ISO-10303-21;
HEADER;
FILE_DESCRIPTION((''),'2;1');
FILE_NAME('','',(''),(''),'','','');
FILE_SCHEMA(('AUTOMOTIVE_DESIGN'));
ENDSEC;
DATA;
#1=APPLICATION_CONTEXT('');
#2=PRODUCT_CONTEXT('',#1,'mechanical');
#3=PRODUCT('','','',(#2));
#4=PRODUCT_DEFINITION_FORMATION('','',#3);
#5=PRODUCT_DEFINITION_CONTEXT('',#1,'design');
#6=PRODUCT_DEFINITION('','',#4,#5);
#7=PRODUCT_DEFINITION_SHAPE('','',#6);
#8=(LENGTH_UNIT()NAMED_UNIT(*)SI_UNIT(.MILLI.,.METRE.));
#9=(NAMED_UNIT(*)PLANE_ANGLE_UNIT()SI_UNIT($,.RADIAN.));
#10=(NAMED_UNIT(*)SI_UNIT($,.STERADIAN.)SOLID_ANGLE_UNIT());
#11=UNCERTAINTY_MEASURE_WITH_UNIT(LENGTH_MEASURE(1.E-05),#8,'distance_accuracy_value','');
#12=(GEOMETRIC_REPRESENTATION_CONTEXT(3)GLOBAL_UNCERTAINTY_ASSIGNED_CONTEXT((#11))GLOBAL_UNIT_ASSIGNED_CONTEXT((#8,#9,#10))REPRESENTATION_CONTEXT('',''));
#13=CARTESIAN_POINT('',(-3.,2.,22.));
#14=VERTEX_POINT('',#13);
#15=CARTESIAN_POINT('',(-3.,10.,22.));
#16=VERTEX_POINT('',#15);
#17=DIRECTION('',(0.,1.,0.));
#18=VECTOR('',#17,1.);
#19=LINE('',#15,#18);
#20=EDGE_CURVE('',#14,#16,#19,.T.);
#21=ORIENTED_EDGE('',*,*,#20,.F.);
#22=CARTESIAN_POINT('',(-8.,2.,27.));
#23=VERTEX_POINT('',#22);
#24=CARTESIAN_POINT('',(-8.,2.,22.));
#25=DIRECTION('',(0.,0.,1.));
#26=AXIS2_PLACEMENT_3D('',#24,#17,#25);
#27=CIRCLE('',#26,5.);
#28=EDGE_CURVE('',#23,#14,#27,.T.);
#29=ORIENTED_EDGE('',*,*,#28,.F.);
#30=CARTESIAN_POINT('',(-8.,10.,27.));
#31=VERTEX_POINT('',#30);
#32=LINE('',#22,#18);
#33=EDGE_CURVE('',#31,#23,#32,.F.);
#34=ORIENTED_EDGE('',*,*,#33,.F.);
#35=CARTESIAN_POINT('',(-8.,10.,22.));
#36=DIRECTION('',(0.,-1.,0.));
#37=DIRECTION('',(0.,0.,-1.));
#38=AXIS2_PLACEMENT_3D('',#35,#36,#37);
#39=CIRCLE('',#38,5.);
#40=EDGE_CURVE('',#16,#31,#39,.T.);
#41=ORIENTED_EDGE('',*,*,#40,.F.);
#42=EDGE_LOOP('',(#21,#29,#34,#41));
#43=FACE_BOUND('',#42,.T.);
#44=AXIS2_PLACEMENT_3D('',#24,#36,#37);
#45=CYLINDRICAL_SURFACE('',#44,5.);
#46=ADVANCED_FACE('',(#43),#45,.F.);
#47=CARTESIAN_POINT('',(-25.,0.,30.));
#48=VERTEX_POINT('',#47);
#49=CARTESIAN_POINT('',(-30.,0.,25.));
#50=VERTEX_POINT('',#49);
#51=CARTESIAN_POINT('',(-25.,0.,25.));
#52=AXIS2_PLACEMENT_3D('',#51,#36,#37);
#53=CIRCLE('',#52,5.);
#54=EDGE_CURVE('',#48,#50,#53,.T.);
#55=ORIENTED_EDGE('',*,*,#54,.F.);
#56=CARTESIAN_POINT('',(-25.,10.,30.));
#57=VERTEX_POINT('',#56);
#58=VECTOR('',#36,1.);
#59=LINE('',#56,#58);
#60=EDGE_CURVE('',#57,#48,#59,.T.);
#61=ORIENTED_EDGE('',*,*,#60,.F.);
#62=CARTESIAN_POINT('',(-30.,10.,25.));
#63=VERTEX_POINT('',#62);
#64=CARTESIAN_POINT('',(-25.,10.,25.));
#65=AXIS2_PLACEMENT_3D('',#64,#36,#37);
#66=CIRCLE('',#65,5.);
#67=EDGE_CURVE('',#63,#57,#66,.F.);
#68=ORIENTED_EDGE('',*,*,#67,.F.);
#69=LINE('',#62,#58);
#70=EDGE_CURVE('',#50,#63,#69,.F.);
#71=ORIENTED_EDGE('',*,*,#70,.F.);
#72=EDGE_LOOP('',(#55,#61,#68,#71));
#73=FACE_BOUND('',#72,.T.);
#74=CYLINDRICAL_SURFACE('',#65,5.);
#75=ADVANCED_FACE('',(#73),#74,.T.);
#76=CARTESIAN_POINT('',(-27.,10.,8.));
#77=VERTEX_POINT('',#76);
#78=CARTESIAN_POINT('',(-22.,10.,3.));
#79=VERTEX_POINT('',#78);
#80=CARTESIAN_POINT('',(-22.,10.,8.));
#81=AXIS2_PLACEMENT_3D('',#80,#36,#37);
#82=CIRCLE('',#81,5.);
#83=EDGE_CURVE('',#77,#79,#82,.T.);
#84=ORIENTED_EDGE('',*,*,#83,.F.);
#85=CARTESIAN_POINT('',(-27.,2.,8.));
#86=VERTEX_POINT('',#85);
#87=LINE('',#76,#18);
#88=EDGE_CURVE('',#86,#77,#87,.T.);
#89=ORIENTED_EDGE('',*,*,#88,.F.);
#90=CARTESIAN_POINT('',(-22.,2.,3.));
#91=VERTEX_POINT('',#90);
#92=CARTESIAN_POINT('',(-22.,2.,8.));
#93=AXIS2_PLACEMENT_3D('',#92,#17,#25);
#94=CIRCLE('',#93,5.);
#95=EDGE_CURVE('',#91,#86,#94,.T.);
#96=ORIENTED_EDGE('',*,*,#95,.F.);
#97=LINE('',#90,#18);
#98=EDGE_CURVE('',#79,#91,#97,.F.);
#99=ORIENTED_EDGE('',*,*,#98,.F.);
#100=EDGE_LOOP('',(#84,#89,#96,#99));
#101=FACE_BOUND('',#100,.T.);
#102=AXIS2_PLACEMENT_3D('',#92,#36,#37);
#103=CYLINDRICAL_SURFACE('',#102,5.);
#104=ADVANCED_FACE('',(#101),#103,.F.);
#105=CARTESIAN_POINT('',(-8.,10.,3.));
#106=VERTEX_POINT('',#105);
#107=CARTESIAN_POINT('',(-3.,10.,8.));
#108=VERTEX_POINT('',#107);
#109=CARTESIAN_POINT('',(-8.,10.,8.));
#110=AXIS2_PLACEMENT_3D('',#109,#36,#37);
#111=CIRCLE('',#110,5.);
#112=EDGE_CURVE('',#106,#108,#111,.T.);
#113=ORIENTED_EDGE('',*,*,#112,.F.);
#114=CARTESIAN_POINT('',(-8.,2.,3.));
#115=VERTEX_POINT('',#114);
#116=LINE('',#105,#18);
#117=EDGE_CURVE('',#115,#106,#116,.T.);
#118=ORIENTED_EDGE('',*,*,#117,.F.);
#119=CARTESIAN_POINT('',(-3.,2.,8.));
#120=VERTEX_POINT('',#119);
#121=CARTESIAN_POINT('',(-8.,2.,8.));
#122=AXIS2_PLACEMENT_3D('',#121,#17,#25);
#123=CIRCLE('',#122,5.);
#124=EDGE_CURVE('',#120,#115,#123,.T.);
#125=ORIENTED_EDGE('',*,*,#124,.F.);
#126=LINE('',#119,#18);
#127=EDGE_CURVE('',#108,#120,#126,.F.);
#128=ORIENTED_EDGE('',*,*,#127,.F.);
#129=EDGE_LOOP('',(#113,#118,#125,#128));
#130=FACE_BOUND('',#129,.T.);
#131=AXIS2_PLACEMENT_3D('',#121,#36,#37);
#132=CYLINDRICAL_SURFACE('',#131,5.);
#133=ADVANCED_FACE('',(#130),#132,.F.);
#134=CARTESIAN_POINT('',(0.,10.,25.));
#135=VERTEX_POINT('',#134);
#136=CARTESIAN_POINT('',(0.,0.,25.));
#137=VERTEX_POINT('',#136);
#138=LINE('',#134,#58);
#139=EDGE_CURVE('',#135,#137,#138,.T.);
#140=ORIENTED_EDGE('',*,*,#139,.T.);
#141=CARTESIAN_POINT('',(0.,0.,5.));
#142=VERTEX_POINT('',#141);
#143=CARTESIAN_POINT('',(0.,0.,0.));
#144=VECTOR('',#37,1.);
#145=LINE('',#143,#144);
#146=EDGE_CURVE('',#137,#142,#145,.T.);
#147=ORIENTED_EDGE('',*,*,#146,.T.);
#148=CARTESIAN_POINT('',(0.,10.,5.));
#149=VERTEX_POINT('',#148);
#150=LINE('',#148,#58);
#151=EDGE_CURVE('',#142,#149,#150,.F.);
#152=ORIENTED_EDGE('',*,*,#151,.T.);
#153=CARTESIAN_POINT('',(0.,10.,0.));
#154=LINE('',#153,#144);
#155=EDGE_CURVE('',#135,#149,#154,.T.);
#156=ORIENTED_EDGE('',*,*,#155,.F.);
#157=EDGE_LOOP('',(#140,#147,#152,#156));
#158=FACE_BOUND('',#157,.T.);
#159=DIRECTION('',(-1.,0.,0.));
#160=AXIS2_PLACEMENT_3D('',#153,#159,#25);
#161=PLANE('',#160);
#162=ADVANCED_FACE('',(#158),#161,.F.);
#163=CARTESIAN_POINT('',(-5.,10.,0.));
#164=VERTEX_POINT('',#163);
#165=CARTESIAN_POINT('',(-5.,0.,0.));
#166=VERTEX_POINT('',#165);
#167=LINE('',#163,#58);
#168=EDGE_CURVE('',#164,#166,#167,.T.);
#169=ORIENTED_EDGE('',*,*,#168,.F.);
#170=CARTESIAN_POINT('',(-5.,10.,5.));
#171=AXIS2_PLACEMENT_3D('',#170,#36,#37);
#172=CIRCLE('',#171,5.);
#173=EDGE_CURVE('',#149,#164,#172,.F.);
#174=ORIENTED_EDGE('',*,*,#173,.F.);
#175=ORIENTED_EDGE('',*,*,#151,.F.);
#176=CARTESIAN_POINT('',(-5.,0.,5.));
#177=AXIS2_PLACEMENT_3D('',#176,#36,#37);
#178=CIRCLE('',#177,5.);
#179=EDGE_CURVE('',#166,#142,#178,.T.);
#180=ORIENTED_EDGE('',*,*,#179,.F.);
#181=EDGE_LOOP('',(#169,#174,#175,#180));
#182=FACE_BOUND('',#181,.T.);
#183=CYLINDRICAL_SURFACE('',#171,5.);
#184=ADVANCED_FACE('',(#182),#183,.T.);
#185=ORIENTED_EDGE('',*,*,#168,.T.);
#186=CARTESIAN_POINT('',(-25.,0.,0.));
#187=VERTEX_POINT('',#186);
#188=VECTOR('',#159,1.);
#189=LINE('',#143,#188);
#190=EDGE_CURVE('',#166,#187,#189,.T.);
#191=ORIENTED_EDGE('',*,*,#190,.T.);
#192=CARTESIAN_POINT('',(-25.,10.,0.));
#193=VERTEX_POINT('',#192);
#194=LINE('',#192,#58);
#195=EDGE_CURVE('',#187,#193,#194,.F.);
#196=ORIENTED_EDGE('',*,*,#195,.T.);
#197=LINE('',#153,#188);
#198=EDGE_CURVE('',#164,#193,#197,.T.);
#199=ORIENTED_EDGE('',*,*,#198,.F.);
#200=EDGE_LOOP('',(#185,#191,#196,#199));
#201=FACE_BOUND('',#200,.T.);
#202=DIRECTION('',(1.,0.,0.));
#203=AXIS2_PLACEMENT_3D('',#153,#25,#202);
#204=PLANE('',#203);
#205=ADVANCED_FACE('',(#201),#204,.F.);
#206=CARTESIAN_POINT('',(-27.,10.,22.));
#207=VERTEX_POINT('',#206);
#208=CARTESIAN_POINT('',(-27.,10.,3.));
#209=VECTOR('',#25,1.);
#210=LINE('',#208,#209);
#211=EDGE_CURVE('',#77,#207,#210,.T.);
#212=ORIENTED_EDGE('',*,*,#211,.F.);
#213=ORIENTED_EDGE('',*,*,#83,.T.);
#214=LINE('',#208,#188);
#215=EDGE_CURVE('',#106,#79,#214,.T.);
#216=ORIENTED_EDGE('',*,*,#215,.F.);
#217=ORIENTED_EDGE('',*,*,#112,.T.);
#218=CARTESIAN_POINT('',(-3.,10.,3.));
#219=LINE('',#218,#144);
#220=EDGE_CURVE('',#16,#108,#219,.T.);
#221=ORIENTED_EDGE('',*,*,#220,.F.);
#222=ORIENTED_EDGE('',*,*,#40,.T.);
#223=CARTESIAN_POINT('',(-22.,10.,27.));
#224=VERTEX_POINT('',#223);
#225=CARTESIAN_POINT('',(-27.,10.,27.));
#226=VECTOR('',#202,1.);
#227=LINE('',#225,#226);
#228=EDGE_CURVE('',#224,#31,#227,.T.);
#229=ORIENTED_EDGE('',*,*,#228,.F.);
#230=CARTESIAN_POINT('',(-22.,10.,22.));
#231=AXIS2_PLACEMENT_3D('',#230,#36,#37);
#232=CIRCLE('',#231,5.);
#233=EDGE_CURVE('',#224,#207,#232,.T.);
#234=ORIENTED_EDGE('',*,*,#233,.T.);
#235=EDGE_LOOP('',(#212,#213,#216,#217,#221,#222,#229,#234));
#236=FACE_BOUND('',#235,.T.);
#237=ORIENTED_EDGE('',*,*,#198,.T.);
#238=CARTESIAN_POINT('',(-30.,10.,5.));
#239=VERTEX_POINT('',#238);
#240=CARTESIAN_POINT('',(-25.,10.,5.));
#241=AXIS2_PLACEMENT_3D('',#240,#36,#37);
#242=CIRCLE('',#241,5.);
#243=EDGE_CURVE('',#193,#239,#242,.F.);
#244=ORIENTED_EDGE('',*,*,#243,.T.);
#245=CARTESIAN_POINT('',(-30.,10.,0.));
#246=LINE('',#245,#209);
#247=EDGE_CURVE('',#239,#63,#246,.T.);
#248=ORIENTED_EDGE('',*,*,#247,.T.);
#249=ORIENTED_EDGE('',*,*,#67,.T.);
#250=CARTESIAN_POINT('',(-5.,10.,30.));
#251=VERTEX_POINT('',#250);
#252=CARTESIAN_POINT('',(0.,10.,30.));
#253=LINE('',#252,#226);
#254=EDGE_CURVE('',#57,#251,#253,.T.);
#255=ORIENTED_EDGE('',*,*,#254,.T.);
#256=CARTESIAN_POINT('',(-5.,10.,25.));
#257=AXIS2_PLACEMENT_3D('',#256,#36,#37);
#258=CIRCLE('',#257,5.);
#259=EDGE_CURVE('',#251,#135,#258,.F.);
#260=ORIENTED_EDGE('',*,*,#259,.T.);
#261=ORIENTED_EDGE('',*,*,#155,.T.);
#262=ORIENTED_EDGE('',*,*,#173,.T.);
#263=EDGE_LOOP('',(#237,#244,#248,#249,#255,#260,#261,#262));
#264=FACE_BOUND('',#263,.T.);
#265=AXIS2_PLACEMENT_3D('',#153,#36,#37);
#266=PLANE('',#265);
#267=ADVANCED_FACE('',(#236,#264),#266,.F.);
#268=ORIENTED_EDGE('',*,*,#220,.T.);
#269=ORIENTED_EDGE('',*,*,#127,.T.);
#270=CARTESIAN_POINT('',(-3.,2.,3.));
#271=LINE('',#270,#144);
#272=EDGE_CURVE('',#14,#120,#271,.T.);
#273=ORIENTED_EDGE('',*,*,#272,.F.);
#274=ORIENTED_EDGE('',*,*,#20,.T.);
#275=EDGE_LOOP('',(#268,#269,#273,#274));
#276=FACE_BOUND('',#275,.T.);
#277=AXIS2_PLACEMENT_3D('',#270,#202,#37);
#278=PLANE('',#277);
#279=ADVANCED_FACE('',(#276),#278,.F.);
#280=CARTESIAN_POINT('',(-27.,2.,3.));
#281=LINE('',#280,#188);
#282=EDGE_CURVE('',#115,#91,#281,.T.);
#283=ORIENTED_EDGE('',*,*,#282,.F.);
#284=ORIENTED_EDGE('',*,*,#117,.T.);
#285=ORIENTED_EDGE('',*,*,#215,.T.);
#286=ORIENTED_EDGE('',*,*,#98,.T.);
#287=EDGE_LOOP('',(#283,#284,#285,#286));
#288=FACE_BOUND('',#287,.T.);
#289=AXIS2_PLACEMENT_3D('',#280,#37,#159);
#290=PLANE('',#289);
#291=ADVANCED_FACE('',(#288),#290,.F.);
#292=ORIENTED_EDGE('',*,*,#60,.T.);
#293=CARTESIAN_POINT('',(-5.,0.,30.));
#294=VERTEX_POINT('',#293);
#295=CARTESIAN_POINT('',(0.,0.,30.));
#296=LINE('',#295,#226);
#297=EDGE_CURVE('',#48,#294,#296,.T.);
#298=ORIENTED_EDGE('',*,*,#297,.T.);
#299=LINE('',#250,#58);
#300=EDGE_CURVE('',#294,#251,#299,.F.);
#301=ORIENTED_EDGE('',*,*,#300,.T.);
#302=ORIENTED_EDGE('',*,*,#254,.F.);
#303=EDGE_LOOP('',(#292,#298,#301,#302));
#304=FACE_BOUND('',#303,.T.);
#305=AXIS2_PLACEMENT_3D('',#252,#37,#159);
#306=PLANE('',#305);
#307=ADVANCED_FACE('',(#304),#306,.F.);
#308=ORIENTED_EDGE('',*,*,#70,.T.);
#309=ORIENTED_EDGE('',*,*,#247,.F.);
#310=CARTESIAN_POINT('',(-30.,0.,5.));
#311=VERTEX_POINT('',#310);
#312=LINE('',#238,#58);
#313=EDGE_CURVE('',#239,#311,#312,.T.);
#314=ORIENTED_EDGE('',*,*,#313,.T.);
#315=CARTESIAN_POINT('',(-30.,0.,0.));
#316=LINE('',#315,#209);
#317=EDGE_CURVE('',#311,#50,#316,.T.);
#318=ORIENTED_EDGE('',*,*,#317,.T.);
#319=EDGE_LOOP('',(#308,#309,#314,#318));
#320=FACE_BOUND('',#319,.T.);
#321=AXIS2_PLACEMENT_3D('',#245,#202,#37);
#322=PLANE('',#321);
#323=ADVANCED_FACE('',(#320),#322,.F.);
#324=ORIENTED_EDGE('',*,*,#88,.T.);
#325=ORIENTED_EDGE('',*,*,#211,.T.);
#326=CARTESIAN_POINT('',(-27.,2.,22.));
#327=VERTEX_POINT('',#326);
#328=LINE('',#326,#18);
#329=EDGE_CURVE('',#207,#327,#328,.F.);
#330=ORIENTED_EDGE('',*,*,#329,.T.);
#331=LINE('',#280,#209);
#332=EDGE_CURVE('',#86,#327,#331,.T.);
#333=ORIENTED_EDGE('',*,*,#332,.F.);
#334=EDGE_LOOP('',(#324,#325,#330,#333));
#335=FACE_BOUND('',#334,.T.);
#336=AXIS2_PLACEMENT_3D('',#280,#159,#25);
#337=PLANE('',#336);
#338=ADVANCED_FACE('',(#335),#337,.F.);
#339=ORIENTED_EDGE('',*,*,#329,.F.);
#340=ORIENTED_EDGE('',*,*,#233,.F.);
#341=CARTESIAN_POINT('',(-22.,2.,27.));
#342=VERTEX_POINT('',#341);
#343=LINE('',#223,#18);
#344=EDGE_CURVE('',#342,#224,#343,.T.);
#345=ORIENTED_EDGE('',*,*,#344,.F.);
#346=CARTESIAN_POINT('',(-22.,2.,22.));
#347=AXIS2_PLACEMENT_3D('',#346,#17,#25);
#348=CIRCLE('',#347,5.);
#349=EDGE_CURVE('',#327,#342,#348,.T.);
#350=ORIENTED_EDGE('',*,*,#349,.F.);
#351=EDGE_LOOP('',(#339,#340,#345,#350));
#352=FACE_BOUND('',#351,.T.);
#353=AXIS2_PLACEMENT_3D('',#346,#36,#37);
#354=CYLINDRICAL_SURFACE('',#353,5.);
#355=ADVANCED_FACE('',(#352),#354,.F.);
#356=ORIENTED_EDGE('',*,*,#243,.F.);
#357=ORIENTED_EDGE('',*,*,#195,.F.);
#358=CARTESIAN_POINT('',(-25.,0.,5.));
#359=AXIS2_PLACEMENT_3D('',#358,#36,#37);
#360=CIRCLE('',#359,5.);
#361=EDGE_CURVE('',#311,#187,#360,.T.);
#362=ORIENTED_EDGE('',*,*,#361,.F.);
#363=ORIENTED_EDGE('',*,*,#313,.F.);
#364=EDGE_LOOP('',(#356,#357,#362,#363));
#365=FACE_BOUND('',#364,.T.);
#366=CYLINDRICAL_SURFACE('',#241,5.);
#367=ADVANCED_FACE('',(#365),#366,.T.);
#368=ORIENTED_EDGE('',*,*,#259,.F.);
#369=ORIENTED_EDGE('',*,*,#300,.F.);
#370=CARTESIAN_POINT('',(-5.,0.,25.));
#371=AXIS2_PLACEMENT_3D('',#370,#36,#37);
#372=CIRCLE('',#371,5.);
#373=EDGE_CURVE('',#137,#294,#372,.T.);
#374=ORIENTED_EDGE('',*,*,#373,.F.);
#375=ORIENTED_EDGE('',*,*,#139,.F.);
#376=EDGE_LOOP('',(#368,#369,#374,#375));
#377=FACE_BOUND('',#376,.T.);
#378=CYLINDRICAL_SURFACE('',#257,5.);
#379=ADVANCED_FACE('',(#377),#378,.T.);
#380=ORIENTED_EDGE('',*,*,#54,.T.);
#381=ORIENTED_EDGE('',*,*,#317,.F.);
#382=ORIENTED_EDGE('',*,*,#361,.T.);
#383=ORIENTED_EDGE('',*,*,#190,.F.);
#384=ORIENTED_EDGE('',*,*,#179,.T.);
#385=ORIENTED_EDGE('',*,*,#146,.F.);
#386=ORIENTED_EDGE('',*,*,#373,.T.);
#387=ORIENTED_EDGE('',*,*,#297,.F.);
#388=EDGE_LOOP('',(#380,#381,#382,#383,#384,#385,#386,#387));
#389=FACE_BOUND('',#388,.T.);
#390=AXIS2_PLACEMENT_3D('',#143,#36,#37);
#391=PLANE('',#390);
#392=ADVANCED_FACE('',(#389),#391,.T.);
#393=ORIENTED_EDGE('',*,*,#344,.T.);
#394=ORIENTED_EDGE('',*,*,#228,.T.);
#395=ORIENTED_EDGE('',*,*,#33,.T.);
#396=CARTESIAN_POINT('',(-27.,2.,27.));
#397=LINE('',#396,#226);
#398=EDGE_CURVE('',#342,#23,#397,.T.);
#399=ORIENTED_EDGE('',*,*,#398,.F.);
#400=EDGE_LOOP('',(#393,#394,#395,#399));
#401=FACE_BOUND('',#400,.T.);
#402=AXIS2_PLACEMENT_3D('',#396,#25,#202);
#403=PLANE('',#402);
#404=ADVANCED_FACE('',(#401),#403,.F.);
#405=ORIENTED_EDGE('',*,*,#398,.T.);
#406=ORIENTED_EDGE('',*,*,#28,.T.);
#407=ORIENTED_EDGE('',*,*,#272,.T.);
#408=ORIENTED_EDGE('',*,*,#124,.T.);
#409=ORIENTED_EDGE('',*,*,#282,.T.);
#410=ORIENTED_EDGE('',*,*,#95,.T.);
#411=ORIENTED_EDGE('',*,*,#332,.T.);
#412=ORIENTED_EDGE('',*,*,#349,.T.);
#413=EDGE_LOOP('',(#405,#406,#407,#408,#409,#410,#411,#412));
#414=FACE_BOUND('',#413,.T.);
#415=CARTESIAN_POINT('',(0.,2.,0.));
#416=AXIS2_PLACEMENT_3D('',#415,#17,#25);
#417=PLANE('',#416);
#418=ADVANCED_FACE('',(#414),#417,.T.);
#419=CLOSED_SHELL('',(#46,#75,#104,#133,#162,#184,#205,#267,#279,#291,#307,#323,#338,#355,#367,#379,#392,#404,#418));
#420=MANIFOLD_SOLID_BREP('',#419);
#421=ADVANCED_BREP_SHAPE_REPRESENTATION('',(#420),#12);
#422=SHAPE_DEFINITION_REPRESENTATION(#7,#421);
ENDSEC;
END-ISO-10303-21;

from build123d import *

# Parameters (mm, degrees)
SKETCH2_W           = 30
SKETCH2_H           = 30
BOSS_EXTRUDE1_DEPTH = 10
SKETCH4_W           = 24
SKETCH4_H           = 24
CUT_EXTRUDE1_DEPTH  = 8
FILLET1_R           = 5
FILLET2_R           = 5


with BuildPart() as part:
    # Sketch2 → Boss-Extrude1 (new body)
    with BuildSketch(Plane(origin=(0, 0, 0), x_dir=(1, 0, 0), z_dir=(0, 1, 0))):
        with Locations((-15, -15)):
            Rectangle(SKETCH2_W, SKETCH2_H)
    extrude(amount=BOSS_EXTRUDE1_DEPTH)

    # Sketch4 → Cut-Extrude1 (cut)
    with BuildSketch(Plane(origin=(0, 10, 0), x_dir=(1, 0, 0), z_dir=(0, 1, 0))):
        with Locations((-15, -15)):
            Rectangle(SKETCH4_W, SKETCH4_H)
    extrude(amount=-CUT_EXTRUDE1_DEPTH, mode=Mode.SUBTRACT)

    # Fillet1
    fillet1_edges = [part.edges().sort_by_distance(p)[0] for p in [
        (0, 5, 30),
        (-30, 5, 30),
        (-30, 5, 0),
        (0, 5, 0),
    ]]
    fillet(fillet1_edges, radius=FILLET1_R)

    # Fillet2
    fillet2_edges = [part.edges().sort_by_distance(p)[0] for p in [
        (-27, 6, 27),
        (-27, 6, 3),
        (-3, 6, 3),
        (-3, 6, 27),
    ]]
    fillet(fillet2_edges, radius=FILLET2_R)


solid = part.part
